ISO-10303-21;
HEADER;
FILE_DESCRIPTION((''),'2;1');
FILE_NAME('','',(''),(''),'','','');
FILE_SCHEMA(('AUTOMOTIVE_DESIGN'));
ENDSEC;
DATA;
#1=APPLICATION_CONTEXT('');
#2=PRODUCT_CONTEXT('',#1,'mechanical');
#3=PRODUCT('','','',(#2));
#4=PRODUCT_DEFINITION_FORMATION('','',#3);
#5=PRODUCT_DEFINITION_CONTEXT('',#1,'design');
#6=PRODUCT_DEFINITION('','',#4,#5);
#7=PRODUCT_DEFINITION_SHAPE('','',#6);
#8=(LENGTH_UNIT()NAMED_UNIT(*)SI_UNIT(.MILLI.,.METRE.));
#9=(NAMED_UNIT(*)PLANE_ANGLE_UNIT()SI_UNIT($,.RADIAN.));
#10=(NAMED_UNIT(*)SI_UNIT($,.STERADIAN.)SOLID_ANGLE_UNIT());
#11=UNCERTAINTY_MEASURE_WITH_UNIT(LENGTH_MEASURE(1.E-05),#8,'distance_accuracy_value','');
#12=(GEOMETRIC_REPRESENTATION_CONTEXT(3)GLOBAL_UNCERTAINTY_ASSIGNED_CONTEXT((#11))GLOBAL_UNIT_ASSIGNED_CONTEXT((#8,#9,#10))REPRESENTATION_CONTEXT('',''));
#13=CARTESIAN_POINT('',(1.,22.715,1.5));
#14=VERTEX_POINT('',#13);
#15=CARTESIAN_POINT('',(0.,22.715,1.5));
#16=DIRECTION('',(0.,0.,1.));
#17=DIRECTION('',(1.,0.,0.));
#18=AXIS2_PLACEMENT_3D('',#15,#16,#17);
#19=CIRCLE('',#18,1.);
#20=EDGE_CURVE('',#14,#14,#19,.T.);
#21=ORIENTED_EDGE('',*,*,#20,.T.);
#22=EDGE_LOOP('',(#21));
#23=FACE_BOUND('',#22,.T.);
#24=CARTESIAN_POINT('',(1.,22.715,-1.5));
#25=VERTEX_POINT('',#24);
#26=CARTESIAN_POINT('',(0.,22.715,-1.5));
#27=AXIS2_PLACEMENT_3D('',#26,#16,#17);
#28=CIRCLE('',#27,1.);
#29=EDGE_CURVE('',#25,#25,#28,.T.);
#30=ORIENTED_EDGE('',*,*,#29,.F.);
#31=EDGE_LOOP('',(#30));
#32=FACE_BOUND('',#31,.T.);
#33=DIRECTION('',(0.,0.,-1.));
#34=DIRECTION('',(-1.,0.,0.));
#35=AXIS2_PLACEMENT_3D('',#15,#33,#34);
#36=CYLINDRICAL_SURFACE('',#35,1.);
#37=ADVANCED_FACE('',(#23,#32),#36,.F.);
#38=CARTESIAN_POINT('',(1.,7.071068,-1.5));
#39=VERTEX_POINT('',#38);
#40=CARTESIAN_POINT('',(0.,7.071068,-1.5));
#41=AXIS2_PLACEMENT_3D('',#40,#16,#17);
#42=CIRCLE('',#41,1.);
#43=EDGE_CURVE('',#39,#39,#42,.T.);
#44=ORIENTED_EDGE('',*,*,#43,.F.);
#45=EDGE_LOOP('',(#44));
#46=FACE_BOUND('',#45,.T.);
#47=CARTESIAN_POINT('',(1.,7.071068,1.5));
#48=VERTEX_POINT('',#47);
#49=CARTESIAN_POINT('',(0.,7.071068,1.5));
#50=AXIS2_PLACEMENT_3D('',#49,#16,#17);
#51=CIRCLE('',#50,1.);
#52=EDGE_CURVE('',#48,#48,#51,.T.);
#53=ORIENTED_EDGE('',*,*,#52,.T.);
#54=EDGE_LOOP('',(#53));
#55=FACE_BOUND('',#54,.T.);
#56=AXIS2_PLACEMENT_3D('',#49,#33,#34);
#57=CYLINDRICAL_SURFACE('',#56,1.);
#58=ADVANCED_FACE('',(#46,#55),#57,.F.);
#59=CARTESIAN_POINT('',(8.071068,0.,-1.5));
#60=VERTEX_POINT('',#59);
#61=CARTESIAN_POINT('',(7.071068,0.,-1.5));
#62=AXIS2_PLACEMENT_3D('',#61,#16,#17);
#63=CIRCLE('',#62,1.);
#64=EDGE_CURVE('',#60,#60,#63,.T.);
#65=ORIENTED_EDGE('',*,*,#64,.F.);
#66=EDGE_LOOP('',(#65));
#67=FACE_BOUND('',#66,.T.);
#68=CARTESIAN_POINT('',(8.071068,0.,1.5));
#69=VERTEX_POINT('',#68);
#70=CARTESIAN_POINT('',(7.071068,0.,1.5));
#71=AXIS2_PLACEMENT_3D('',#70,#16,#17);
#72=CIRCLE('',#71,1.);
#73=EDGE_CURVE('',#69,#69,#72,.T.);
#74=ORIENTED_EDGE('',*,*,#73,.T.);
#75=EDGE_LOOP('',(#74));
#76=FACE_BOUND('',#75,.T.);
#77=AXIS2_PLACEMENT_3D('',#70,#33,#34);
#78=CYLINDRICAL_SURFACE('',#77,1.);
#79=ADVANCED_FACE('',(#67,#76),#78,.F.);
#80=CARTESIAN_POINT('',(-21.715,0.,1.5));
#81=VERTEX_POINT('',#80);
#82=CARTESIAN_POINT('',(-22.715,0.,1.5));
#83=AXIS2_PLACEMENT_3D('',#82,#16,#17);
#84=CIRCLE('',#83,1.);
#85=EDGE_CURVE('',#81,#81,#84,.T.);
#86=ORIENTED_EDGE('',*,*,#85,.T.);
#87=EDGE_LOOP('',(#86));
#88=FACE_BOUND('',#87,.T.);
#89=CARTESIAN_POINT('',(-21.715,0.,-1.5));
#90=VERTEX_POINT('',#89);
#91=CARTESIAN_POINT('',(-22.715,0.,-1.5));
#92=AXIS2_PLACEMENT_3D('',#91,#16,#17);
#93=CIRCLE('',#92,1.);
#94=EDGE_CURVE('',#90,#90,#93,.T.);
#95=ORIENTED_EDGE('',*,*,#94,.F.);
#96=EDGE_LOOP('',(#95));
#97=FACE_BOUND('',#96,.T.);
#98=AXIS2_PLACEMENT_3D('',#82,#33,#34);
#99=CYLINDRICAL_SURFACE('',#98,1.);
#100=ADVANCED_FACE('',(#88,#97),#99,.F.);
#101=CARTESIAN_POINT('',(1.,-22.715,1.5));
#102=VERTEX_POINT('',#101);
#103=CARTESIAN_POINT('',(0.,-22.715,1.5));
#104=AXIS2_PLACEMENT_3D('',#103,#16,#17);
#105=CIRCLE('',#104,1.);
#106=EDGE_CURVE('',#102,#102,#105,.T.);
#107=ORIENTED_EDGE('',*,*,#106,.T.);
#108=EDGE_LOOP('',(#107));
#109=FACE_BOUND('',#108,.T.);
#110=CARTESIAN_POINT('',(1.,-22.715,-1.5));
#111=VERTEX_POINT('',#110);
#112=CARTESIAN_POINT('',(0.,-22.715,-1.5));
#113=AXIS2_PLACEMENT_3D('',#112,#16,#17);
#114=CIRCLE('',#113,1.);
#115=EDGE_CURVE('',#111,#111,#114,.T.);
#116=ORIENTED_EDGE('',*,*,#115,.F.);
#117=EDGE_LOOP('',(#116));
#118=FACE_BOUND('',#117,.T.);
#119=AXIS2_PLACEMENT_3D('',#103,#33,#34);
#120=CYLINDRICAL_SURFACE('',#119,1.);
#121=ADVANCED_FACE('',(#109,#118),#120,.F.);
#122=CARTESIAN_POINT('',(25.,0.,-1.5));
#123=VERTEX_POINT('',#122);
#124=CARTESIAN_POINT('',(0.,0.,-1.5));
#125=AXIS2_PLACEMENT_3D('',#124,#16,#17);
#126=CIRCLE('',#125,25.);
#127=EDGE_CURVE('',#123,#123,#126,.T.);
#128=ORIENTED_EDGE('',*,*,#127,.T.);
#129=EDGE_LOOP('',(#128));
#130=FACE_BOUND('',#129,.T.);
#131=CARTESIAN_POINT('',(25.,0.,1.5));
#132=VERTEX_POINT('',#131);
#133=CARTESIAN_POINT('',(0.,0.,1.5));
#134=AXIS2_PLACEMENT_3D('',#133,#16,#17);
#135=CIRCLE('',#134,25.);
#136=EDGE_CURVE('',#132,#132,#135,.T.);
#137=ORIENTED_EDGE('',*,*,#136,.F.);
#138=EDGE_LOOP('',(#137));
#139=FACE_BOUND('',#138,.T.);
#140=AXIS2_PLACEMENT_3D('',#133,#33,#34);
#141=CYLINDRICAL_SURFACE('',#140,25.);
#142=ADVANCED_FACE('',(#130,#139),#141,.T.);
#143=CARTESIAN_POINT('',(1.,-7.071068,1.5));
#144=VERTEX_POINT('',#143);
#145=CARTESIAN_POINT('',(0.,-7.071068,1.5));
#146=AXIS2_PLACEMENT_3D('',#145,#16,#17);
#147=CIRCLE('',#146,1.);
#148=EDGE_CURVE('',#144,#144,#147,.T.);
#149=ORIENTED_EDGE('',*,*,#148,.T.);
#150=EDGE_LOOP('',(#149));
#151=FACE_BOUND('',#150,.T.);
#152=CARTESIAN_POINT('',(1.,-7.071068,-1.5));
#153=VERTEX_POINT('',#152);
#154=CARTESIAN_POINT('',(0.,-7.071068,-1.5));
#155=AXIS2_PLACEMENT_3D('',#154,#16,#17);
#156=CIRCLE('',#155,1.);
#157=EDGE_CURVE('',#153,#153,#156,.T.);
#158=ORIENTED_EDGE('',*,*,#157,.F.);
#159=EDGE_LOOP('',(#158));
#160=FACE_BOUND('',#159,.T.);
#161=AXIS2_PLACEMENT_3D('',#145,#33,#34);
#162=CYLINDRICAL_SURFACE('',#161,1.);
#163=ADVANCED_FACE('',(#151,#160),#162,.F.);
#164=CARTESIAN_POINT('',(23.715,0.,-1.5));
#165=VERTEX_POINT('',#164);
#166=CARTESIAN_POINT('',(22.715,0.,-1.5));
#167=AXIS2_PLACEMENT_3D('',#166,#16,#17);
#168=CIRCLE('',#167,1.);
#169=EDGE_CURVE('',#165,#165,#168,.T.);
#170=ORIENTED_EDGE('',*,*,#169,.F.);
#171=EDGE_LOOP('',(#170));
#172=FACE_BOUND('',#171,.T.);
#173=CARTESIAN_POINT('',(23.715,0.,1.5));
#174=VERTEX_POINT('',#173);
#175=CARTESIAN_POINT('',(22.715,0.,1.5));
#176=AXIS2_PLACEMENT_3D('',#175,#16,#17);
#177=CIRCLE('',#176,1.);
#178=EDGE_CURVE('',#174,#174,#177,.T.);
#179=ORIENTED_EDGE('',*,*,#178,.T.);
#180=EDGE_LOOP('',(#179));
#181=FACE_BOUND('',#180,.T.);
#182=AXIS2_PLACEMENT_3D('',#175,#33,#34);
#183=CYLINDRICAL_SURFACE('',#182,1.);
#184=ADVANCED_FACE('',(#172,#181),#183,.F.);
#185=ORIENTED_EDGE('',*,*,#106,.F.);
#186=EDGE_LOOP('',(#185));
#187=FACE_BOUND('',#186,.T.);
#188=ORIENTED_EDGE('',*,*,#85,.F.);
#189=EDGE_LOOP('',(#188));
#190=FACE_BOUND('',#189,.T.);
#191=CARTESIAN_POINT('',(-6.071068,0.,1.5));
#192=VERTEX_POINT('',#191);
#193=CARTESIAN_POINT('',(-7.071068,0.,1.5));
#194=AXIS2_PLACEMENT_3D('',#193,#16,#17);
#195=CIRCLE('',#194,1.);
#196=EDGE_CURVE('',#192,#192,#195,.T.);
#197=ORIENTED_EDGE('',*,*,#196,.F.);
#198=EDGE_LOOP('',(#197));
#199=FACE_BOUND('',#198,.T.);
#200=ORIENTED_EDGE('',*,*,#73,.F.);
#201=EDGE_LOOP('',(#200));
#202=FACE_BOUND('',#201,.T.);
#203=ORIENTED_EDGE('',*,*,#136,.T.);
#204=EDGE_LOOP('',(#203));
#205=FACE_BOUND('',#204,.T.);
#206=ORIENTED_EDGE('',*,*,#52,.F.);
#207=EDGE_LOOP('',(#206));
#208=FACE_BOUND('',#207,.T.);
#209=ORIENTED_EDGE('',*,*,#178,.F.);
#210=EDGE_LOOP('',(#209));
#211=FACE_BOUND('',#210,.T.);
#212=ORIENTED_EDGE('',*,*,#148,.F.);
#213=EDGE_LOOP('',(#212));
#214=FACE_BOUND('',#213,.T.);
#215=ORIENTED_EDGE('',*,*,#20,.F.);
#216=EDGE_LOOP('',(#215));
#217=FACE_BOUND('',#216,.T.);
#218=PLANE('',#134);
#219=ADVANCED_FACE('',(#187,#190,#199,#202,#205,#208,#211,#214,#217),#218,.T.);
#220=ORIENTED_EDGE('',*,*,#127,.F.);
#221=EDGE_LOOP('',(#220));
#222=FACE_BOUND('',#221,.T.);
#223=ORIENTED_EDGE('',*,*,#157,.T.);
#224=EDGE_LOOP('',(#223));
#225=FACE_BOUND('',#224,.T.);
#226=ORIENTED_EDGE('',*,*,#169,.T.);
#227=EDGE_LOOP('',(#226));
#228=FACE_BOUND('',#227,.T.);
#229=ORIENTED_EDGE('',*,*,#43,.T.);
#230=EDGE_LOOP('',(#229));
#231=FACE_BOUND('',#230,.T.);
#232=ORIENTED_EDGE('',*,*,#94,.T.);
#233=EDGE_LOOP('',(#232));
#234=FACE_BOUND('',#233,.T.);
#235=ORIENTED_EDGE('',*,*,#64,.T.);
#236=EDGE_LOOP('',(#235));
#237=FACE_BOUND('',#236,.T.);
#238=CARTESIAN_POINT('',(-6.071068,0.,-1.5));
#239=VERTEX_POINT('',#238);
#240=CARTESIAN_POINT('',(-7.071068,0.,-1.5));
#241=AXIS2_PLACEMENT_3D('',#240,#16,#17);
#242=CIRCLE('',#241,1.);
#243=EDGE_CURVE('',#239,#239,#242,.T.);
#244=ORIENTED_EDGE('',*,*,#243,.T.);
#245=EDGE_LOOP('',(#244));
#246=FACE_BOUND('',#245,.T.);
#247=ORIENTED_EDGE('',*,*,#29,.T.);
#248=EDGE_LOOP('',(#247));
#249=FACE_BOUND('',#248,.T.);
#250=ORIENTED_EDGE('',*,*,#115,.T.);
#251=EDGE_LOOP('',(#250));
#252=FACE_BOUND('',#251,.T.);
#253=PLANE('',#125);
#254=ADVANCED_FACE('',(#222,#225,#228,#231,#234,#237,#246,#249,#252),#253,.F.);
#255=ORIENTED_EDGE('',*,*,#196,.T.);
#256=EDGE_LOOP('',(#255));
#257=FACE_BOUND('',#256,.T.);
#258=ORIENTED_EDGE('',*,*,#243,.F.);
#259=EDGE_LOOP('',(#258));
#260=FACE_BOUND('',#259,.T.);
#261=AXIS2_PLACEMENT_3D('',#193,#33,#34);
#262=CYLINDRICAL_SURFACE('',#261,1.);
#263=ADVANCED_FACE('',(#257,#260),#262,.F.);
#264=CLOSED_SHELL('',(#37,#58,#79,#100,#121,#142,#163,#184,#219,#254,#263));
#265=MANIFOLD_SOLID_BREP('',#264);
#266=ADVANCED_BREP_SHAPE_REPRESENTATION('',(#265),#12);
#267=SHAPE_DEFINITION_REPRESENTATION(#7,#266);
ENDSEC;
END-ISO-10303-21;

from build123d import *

# Parameters (mm, degrees)
SKETCH1_R           = 25
SKETCH1_R_2         = 1
BOSS_EXTRUDE1_DEPTH = 1.5


with BuildPart() as part:
    # Sketch1 → Boss-Extrude1 (new, symmetric)
    with BuildSketch(Plane.XY):
        Circle(SKETCH1_R)
        with Locations((0, 22.715)):
            Circle(SKETCH1_R_2, mode=Mode.SUBTRACT)
        with Locations((0, 7.071067812)):
            Circle(SKETCH1_R_2, mode=Mode.SUBTRACT)
        with Locations((7.071067812, 0)):
            Circle(SKETCH1_R_2, mode=Mode.SUBTRACT)
        with Locations((0, -7.071067812)):
            Circle(SKETCH1_R_2, mode=Mode.SUBTRACT)
        with Locations((-7.071067812, 0)):
            Circle(SKETCH1_R_2, mode=Mode.SUBTRACT)
        with Locations((22.715, 0)):
            Circle(SKETCH1_R_2, mode=Mode.SUBTRACT)
        with Locations((0, -22.715)):
            Circle(SKETCH1_R_2, mode=Mode.SUBTRACT)
        with Locations((-22.715, 0)):
            Circle(SKETCH1_R_2, mode=Mode.SUBTRACT)
    extrude(amount=BOSS_EXTRUDE1_DEPTH, both=True)


solid = part.part
